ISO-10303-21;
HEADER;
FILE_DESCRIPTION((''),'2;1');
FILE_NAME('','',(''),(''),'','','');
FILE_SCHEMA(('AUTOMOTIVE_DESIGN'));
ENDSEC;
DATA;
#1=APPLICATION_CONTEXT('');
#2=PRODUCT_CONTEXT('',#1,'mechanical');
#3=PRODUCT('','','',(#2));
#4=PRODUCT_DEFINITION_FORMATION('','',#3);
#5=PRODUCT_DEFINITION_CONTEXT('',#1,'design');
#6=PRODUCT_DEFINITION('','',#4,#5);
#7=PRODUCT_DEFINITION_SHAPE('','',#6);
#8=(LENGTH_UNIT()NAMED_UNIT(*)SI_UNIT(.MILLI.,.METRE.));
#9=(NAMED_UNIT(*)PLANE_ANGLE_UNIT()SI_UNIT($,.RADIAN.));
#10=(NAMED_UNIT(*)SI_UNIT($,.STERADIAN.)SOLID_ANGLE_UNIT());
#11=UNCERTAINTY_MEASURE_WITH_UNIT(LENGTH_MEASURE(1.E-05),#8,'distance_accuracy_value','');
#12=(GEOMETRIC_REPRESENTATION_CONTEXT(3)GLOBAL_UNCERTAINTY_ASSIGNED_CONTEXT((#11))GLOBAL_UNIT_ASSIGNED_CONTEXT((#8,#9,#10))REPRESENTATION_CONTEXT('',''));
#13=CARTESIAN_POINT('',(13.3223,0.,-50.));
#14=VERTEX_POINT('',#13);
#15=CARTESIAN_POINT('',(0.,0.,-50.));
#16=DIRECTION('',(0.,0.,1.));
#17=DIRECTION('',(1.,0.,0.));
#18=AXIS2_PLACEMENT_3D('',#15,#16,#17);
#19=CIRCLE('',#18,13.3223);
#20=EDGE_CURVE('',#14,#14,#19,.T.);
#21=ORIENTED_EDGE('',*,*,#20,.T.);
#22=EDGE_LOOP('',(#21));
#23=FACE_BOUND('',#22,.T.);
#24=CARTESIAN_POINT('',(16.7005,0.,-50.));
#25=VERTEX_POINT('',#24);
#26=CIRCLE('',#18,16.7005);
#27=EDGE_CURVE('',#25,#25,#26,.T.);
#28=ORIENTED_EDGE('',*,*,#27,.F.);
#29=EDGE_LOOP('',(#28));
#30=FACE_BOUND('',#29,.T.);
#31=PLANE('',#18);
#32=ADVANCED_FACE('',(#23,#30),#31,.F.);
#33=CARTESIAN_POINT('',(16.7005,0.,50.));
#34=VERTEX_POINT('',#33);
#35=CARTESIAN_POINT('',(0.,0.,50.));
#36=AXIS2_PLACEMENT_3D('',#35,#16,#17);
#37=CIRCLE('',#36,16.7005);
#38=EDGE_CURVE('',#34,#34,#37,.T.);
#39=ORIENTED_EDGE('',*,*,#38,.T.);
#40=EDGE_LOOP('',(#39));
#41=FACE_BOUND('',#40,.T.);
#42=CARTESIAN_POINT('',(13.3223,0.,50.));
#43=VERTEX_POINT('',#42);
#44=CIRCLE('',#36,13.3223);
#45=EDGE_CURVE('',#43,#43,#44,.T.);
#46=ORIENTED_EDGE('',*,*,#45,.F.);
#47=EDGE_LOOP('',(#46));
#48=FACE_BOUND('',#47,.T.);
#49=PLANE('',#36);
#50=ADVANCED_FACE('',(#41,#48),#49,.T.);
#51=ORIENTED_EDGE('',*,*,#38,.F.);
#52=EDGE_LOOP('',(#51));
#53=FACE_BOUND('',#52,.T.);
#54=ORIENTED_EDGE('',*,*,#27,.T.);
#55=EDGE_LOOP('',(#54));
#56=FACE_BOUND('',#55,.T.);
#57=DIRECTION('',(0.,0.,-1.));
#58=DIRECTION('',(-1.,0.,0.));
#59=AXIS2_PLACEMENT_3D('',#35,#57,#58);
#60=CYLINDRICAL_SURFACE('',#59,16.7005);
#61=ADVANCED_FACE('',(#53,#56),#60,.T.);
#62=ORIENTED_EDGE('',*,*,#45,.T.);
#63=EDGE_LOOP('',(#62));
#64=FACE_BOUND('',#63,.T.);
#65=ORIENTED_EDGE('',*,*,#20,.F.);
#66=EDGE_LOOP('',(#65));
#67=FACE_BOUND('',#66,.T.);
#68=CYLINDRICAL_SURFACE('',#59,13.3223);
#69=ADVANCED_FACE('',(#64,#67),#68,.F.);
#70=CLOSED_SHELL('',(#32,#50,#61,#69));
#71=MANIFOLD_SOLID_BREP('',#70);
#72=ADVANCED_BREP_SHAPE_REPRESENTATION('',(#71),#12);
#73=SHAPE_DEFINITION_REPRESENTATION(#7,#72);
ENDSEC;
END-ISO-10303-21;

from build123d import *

# Parameters (mm, degrees)
SKETCH1_R           = 16.7005
SKETCH1_R_2         = 13.3223
EXTRUDE_THIN1_DEPTH = 50


with BuildPart() as part:
    # Sketch1 → Extrude-Thin1 (new, symmetric)
    with BuildSketch(Plane.XY):
        Circle(SKETCH1_R)
        Circle(SKETCH1_R_2, mode=Mode.SUBTRACT)
    extrude(amount=EXTRUDE_THIN1_DEPTH, both=True)


solid = part.part
